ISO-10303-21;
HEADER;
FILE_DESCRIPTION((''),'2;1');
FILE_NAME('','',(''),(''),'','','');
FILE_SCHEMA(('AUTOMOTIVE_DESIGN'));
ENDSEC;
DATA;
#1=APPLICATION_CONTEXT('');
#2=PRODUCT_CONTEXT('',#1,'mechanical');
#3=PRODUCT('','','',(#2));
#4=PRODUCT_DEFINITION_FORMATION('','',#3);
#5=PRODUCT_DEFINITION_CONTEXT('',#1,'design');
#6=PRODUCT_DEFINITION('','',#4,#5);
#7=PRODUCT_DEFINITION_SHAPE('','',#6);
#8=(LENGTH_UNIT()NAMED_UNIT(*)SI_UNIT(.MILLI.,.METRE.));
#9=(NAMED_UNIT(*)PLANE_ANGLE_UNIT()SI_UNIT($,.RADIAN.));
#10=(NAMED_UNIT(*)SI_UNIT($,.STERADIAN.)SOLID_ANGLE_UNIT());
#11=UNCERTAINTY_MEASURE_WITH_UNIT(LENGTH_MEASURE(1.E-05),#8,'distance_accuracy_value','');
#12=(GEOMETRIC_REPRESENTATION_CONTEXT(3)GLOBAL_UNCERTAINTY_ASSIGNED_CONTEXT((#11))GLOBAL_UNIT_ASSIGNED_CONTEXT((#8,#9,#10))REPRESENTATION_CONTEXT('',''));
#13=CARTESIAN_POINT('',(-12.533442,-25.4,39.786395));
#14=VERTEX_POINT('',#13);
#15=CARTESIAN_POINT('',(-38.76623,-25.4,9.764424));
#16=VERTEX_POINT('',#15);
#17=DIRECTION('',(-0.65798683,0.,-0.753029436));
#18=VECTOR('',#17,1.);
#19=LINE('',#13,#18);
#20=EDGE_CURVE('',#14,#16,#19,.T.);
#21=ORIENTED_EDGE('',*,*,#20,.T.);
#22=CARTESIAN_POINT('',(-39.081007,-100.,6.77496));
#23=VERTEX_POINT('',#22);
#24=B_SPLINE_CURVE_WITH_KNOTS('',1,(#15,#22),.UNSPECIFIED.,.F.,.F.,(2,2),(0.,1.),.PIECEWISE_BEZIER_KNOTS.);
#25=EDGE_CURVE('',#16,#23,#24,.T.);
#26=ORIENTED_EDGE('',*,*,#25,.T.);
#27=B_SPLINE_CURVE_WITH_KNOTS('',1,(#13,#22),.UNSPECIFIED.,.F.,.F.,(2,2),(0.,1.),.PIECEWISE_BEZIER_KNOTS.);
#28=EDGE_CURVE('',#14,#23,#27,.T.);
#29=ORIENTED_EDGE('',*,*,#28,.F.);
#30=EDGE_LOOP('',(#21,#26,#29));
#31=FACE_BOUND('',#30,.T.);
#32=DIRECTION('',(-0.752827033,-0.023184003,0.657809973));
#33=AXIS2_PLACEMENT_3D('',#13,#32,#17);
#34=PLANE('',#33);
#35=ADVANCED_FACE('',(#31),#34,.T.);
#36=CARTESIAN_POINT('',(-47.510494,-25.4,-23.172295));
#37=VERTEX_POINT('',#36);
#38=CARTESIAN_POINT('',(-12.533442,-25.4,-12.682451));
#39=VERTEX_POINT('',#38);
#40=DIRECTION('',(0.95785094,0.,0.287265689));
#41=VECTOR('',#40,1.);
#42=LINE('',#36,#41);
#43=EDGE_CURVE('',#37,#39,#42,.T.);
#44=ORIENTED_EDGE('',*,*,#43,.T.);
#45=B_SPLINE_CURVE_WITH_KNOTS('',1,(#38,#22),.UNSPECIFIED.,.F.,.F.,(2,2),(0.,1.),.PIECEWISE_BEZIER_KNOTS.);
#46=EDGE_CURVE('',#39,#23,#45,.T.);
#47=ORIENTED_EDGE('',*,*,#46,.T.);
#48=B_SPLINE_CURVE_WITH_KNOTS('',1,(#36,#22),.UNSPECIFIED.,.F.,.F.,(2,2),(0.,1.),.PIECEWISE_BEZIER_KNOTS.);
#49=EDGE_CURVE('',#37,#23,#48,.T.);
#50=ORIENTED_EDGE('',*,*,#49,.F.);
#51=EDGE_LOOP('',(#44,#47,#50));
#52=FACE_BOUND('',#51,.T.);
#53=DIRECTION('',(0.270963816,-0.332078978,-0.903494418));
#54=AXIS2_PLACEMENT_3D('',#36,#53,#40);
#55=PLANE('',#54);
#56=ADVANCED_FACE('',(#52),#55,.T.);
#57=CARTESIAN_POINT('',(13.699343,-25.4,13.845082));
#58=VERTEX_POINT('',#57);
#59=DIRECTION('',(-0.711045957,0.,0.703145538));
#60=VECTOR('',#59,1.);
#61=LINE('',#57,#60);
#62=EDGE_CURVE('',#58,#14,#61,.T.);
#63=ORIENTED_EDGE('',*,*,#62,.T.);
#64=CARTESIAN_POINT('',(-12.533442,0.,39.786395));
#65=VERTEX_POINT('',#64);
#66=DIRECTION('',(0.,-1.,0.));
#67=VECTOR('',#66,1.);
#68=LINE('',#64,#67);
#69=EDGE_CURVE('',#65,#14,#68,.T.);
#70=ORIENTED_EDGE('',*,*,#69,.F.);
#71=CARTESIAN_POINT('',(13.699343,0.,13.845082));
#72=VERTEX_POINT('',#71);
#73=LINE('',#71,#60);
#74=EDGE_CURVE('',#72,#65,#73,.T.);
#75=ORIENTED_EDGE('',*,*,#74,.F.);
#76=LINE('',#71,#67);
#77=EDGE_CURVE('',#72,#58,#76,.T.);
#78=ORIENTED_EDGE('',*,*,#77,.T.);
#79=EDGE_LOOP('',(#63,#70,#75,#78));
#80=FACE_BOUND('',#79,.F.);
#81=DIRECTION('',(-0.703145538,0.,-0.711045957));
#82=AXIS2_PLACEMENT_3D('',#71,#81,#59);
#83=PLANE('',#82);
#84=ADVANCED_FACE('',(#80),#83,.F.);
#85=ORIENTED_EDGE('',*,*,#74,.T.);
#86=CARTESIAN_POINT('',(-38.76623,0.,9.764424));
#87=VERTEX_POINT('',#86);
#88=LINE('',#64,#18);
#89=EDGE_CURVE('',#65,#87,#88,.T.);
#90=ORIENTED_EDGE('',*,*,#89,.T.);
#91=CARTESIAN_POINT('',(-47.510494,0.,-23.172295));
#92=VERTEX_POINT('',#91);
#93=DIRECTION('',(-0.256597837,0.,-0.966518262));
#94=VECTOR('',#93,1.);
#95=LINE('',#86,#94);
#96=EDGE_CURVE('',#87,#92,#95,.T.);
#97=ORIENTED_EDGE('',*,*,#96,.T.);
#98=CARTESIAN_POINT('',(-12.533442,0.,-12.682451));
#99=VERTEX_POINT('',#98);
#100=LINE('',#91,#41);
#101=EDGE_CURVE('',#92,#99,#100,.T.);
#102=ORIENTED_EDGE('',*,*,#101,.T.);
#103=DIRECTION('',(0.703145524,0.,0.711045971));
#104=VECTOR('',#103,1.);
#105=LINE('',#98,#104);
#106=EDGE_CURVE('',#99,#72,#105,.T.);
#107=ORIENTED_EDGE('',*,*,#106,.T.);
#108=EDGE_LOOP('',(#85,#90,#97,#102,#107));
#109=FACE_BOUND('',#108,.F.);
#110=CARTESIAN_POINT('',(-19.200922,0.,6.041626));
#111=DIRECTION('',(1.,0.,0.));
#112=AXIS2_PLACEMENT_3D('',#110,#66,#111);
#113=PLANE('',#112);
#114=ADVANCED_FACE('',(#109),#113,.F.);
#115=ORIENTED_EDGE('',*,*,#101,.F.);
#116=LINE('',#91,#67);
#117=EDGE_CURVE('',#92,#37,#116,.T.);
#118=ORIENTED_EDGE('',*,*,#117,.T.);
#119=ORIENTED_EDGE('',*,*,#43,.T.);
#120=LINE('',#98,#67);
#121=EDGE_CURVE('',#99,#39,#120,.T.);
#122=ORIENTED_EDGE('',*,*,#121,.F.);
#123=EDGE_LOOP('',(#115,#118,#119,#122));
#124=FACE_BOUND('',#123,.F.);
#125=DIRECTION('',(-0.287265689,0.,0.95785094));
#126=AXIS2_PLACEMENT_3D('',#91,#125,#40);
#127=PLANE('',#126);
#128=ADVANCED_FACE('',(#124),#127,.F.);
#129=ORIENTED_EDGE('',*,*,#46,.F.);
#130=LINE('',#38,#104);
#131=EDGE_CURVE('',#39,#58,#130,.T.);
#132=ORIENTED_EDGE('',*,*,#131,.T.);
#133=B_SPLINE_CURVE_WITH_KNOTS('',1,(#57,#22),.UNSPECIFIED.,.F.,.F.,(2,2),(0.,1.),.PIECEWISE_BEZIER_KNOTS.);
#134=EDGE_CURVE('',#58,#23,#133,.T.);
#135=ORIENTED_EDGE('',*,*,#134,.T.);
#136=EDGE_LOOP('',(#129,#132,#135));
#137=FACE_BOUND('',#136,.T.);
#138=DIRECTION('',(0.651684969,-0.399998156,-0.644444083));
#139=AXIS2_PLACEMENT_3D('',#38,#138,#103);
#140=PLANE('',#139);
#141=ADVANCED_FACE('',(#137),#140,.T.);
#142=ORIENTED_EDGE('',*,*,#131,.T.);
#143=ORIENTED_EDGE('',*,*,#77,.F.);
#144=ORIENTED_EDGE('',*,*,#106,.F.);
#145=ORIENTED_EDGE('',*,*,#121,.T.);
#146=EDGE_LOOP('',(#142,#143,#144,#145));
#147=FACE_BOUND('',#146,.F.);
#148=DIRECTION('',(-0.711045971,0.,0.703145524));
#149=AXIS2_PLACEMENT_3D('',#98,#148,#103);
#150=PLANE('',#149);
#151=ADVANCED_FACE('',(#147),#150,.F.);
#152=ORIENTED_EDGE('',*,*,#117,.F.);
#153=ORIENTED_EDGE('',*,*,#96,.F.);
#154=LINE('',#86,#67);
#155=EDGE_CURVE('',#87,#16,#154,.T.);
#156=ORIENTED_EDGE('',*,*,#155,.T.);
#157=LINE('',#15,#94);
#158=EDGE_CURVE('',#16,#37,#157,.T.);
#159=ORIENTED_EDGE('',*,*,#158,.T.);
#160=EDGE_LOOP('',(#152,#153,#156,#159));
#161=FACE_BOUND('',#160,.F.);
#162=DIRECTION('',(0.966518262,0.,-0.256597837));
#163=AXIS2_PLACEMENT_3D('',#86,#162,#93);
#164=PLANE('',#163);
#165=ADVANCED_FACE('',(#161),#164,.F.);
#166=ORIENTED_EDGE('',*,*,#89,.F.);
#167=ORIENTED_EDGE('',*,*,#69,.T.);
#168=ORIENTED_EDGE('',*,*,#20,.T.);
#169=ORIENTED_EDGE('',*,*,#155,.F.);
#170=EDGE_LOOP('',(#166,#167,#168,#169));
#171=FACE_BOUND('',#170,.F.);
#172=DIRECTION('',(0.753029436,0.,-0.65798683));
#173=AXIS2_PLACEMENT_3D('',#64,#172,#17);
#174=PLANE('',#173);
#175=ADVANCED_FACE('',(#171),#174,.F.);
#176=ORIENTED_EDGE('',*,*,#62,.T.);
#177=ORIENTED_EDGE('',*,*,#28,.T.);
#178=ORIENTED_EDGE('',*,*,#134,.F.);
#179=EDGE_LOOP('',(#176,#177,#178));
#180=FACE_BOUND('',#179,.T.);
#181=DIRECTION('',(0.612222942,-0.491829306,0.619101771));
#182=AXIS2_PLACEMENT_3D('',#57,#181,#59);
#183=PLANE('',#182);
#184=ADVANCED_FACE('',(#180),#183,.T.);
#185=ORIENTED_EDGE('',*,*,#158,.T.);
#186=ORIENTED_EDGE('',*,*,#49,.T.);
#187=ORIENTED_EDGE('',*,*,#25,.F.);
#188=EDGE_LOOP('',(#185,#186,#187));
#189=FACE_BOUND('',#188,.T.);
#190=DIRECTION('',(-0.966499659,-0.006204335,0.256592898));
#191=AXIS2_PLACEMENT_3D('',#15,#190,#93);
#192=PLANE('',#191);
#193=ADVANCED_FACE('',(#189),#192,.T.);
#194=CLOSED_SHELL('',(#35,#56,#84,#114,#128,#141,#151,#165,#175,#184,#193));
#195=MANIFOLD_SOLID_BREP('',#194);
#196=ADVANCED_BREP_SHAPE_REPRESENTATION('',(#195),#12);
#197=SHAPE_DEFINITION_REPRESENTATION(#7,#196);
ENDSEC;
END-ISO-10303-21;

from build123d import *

# Parameters (mm, degrees)
F1_DEPTH = 25.4


with BuildPart() as f1:
    # F0 (on Front) → F1 (new body)
    with BuildSketch(Plane.XZ):
        Polygon((-12.533442, 39.786395), (-38.76623, 9.764424), (-47.510494, -23.172295), (-12.533442, -12.682451), (13.699343, 13.845082), align=None)
    extrude(amount=F1_DEPTH)

    # F1_face (on face) → F4 section 0
    with BuildSketch(Plane(origin=(-18.206937, -25.4, 6.944855), x_dir=(1, 0, 0), z_dir=(0, -1, 0)), mode=Mode.PRIVATE) as f4_s0:
        Polygon((5.673495, -19.627306), (31.90628, 6.900227), (5.673495, 32.84154), (-20.559293, 2.819569), (-29.303557, -30.11715), align=None)
    loft([f4_s0.sketch, Vertex(-39.081007, -100, 6.77496)])


solid = f1.part
